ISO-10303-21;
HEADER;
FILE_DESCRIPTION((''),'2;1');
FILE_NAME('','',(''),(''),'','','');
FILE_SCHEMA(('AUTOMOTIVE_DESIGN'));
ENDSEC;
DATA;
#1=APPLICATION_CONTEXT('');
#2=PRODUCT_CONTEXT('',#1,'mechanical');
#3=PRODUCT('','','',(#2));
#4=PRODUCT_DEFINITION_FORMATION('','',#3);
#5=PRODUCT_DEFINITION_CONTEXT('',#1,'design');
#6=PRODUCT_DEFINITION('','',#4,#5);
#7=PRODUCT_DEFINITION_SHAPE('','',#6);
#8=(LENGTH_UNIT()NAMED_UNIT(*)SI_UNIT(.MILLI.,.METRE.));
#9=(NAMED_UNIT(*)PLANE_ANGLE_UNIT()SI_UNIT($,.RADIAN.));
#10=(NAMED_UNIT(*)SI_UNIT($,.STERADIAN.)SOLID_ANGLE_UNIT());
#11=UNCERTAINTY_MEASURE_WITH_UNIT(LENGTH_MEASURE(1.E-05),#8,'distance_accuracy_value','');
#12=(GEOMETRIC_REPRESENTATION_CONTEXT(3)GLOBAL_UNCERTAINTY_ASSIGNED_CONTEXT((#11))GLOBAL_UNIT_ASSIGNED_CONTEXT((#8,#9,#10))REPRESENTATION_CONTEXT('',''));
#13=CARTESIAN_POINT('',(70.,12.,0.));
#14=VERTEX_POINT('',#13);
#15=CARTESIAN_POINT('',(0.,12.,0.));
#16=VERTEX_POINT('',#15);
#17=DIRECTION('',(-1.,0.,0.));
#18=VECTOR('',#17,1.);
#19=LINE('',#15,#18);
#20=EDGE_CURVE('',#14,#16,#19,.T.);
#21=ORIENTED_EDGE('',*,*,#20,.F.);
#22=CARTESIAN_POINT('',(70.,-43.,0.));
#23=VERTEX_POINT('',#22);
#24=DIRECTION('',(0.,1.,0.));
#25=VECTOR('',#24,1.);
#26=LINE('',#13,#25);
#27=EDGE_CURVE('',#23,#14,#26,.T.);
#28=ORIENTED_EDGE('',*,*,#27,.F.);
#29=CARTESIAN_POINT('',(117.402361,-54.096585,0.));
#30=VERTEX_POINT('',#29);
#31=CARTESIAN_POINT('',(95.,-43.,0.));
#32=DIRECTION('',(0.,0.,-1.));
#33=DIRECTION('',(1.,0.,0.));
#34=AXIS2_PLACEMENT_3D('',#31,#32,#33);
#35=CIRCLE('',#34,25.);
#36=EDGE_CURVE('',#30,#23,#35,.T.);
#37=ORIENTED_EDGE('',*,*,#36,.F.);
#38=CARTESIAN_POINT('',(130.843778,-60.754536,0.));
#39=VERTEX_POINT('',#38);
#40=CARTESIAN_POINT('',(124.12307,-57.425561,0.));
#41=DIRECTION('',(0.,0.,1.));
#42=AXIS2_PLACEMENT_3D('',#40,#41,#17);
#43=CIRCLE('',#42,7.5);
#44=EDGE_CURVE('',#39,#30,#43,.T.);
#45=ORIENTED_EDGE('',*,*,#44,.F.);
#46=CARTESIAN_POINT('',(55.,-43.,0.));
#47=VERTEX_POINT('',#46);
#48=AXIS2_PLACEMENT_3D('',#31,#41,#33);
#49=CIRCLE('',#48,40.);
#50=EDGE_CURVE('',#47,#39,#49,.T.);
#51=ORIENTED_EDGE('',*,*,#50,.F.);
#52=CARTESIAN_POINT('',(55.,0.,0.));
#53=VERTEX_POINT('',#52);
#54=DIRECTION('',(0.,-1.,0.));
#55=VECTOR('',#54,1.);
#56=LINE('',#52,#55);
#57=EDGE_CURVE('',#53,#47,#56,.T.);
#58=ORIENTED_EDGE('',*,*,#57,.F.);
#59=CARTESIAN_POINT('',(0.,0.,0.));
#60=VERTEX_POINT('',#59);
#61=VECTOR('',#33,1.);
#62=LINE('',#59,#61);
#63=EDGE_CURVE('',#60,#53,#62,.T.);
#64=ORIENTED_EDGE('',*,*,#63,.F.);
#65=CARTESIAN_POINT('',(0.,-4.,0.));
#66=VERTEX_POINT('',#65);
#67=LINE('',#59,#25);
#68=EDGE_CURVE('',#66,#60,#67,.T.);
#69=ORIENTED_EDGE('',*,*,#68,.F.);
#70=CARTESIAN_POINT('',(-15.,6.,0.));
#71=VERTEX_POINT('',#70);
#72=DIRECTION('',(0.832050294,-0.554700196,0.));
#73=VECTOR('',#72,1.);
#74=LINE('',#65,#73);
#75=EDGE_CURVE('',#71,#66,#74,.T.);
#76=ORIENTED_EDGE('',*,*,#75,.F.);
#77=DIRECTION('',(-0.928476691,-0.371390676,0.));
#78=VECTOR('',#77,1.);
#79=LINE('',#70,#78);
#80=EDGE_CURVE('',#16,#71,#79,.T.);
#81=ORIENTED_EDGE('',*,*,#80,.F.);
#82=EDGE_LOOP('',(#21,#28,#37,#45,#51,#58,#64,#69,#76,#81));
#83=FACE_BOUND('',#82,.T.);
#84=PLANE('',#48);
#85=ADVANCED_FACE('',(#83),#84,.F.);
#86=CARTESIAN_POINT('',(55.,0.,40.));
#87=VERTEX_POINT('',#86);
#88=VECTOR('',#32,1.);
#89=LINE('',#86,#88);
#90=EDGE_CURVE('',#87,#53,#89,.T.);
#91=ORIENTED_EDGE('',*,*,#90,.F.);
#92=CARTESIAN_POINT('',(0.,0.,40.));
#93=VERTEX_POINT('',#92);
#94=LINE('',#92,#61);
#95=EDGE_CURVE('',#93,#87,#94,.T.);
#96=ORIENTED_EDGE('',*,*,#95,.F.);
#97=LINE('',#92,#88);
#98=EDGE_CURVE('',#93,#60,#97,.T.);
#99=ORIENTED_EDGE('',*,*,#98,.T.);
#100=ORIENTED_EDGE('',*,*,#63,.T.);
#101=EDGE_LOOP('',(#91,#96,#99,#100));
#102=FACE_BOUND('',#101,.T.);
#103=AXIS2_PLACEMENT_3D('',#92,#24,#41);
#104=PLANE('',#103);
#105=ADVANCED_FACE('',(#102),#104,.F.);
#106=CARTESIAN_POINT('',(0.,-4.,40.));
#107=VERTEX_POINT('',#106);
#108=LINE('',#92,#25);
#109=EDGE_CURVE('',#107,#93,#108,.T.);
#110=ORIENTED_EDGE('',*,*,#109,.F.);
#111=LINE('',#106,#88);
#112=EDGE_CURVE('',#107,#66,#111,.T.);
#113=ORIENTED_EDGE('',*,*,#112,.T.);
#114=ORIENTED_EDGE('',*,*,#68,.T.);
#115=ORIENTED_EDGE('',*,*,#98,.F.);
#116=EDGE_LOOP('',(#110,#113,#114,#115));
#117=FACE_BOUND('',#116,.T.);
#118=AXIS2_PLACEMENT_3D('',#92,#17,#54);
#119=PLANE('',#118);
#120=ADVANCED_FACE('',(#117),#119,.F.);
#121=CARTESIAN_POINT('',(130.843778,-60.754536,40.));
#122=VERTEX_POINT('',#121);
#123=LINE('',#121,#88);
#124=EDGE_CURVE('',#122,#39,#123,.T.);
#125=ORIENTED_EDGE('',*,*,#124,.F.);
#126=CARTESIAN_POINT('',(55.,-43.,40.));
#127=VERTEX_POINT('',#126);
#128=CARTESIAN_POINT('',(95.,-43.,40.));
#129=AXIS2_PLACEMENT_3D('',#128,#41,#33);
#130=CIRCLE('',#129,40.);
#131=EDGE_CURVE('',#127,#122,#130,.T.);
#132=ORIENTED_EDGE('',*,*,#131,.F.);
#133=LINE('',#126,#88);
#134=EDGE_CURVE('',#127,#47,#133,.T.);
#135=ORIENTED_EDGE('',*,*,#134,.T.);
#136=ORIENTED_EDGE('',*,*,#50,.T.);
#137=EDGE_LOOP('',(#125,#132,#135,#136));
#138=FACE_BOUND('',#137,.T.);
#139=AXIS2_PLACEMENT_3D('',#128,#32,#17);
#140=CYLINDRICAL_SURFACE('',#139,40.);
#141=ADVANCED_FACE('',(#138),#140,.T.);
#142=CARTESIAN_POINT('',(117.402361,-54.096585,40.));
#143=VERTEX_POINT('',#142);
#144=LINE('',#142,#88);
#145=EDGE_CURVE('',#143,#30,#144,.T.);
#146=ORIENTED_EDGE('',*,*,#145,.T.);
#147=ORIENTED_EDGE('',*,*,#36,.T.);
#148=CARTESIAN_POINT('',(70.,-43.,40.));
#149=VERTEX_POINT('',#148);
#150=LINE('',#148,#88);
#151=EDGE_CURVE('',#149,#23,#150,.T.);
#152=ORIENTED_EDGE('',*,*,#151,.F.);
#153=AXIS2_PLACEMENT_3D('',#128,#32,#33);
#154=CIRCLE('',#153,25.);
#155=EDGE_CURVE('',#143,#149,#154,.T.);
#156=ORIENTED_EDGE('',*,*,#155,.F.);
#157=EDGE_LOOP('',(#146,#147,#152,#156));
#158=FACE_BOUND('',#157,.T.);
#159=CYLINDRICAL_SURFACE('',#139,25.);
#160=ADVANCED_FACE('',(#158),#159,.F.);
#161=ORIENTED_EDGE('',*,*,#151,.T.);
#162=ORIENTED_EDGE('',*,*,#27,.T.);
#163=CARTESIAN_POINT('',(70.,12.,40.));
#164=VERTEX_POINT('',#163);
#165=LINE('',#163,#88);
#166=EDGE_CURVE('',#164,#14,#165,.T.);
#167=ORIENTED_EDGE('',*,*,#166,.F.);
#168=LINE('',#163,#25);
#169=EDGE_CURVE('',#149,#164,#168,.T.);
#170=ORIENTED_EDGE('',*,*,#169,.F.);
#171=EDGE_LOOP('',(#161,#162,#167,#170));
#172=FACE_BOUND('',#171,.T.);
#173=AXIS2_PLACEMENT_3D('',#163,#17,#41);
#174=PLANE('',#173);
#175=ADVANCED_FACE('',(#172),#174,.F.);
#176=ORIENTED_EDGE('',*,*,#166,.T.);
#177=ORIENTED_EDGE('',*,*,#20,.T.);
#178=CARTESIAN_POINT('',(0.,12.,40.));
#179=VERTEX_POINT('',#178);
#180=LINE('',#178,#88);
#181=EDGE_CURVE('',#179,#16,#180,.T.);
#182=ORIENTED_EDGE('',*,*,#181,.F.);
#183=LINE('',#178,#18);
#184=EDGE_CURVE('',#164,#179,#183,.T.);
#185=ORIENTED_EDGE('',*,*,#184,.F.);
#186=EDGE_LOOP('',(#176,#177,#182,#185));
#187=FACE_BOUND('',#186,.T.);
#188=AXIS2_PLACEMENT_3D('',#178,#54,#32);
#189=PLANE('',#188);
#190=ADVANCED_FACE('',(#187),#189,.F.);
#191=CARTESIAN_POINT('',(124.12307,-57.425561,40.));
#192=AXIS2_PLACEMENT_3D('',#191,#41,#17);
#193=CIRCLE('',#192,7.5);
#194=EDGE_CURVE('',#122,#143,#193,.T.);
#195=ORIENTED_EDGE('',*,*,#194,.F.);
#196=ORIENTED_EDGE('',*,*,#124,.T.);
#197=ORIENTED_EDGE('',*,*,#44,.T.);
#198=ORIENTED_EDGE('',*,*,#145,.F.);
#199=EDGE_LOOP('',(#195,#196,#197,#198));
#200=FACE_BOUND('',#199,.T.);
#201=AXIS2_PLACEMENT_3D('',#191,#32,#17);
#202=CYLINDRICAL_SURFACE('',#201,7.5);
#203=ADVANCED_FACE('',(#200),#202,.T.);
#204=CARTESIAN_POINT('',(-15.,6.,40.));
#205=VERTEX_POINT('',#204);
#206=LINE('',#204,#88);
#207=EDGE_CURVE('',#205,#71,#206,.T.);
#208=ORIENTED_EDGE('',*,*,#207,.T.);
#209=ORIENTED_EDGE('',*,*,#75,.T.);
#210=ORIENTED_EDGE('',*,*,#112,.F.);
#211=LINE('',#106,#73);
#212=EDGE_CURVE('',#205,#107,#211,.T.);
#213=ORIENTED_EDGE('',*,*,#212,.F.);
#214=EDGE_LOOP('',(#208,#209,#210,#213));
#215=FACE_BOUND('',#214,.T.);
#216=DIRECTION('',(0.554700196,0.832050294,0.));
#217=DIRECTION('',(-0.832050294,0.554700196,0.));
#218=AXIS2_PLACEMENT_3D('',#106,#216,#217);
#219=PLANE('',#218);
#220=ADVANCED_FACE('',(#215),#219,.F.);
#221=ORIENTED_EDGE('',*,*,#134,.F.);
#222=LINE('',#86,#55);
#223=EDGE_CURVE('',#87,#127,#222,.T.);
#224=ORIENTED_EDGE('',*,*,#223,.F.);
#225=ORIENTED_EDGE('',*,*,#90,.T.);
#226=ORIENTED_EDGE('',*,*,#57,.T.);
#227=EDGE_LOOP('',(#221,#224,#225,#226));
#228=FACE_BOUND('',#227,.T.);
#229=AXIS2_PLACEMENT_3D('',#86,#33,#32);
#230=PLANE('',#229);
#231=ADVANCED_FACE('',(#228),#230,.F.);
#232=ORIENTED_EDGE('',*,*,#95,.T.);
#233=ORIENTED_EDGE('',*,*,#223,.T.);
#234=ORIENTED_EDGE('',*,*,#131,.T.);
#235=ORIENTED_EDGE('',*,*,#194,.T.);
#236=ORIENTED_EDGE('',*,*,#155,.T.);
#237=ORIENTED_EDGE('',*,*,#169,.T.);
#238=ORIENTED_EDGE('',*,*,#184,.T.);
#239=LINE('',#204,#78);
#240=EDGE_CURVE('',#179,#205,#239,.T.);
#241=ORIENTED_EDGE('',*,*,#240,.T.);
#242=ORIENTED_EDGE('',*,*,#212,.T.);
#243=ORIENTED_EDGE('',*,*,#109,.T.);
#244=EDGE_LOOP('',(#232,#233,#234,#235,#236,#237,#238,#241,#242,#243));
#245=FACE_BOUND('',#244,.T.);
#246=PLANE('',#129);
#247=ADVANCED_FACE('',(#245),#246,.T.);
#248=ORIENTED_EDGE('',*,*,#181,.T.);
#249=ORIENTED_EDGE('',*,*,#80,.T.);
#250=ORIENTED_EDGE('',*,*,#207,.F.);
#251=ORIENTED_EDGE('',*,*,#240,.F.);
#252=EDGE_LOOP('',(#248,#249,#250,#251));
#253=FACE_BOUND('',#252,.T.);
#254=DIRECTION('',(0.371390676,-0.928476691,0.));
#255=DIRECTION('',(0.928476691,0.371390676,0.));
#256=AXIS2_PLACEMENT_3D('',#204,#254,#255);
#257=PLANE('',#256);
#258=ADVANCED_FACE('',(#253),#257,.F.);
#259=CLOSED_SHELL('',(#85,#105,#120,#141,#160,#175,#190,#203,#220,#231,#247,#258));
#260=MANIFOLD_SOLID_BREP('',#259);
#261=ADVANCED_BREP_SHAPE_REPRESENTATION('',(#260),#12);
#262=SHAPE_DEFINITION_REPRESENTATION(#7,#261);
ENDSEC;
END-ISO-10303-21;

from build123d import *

# Parameters (mm, degrees)
BOSS_EXTRUDE1_DEPTH = 40


with BuildPart() as part:
    # Sketch1 → Boss-Extrude1 (new body)
    with BuildSketch(Plane.XY):
        with BuildLine():
            Line((0, 0), (55, 0))
            Line((55, 0), (55, -43))
            ThreePointArc((55, -43), (85.882739779, -81.947086747), (130.843778303, -60.754536237))
            ThreePointArc((130.843778303, -60.754536237), (127.452045415, -50.70485226), (117.402361439, -54.096585148))
            ThreePointArc((117.402361439, -54.096585148), (89.301712362, -67.341929217), (70, -43))
            Line((70, -43), (70, 12))
            Line((70, 12), (0, 12))
            Line((0, 12), (-15, 6))
            Line((-15, 6), (0, -4))
            Line((0, -4), (0, 0))
        make_face()
    extrude(amount=BOSS_EXTRUDE1_DEPTH)


solid = part.part
